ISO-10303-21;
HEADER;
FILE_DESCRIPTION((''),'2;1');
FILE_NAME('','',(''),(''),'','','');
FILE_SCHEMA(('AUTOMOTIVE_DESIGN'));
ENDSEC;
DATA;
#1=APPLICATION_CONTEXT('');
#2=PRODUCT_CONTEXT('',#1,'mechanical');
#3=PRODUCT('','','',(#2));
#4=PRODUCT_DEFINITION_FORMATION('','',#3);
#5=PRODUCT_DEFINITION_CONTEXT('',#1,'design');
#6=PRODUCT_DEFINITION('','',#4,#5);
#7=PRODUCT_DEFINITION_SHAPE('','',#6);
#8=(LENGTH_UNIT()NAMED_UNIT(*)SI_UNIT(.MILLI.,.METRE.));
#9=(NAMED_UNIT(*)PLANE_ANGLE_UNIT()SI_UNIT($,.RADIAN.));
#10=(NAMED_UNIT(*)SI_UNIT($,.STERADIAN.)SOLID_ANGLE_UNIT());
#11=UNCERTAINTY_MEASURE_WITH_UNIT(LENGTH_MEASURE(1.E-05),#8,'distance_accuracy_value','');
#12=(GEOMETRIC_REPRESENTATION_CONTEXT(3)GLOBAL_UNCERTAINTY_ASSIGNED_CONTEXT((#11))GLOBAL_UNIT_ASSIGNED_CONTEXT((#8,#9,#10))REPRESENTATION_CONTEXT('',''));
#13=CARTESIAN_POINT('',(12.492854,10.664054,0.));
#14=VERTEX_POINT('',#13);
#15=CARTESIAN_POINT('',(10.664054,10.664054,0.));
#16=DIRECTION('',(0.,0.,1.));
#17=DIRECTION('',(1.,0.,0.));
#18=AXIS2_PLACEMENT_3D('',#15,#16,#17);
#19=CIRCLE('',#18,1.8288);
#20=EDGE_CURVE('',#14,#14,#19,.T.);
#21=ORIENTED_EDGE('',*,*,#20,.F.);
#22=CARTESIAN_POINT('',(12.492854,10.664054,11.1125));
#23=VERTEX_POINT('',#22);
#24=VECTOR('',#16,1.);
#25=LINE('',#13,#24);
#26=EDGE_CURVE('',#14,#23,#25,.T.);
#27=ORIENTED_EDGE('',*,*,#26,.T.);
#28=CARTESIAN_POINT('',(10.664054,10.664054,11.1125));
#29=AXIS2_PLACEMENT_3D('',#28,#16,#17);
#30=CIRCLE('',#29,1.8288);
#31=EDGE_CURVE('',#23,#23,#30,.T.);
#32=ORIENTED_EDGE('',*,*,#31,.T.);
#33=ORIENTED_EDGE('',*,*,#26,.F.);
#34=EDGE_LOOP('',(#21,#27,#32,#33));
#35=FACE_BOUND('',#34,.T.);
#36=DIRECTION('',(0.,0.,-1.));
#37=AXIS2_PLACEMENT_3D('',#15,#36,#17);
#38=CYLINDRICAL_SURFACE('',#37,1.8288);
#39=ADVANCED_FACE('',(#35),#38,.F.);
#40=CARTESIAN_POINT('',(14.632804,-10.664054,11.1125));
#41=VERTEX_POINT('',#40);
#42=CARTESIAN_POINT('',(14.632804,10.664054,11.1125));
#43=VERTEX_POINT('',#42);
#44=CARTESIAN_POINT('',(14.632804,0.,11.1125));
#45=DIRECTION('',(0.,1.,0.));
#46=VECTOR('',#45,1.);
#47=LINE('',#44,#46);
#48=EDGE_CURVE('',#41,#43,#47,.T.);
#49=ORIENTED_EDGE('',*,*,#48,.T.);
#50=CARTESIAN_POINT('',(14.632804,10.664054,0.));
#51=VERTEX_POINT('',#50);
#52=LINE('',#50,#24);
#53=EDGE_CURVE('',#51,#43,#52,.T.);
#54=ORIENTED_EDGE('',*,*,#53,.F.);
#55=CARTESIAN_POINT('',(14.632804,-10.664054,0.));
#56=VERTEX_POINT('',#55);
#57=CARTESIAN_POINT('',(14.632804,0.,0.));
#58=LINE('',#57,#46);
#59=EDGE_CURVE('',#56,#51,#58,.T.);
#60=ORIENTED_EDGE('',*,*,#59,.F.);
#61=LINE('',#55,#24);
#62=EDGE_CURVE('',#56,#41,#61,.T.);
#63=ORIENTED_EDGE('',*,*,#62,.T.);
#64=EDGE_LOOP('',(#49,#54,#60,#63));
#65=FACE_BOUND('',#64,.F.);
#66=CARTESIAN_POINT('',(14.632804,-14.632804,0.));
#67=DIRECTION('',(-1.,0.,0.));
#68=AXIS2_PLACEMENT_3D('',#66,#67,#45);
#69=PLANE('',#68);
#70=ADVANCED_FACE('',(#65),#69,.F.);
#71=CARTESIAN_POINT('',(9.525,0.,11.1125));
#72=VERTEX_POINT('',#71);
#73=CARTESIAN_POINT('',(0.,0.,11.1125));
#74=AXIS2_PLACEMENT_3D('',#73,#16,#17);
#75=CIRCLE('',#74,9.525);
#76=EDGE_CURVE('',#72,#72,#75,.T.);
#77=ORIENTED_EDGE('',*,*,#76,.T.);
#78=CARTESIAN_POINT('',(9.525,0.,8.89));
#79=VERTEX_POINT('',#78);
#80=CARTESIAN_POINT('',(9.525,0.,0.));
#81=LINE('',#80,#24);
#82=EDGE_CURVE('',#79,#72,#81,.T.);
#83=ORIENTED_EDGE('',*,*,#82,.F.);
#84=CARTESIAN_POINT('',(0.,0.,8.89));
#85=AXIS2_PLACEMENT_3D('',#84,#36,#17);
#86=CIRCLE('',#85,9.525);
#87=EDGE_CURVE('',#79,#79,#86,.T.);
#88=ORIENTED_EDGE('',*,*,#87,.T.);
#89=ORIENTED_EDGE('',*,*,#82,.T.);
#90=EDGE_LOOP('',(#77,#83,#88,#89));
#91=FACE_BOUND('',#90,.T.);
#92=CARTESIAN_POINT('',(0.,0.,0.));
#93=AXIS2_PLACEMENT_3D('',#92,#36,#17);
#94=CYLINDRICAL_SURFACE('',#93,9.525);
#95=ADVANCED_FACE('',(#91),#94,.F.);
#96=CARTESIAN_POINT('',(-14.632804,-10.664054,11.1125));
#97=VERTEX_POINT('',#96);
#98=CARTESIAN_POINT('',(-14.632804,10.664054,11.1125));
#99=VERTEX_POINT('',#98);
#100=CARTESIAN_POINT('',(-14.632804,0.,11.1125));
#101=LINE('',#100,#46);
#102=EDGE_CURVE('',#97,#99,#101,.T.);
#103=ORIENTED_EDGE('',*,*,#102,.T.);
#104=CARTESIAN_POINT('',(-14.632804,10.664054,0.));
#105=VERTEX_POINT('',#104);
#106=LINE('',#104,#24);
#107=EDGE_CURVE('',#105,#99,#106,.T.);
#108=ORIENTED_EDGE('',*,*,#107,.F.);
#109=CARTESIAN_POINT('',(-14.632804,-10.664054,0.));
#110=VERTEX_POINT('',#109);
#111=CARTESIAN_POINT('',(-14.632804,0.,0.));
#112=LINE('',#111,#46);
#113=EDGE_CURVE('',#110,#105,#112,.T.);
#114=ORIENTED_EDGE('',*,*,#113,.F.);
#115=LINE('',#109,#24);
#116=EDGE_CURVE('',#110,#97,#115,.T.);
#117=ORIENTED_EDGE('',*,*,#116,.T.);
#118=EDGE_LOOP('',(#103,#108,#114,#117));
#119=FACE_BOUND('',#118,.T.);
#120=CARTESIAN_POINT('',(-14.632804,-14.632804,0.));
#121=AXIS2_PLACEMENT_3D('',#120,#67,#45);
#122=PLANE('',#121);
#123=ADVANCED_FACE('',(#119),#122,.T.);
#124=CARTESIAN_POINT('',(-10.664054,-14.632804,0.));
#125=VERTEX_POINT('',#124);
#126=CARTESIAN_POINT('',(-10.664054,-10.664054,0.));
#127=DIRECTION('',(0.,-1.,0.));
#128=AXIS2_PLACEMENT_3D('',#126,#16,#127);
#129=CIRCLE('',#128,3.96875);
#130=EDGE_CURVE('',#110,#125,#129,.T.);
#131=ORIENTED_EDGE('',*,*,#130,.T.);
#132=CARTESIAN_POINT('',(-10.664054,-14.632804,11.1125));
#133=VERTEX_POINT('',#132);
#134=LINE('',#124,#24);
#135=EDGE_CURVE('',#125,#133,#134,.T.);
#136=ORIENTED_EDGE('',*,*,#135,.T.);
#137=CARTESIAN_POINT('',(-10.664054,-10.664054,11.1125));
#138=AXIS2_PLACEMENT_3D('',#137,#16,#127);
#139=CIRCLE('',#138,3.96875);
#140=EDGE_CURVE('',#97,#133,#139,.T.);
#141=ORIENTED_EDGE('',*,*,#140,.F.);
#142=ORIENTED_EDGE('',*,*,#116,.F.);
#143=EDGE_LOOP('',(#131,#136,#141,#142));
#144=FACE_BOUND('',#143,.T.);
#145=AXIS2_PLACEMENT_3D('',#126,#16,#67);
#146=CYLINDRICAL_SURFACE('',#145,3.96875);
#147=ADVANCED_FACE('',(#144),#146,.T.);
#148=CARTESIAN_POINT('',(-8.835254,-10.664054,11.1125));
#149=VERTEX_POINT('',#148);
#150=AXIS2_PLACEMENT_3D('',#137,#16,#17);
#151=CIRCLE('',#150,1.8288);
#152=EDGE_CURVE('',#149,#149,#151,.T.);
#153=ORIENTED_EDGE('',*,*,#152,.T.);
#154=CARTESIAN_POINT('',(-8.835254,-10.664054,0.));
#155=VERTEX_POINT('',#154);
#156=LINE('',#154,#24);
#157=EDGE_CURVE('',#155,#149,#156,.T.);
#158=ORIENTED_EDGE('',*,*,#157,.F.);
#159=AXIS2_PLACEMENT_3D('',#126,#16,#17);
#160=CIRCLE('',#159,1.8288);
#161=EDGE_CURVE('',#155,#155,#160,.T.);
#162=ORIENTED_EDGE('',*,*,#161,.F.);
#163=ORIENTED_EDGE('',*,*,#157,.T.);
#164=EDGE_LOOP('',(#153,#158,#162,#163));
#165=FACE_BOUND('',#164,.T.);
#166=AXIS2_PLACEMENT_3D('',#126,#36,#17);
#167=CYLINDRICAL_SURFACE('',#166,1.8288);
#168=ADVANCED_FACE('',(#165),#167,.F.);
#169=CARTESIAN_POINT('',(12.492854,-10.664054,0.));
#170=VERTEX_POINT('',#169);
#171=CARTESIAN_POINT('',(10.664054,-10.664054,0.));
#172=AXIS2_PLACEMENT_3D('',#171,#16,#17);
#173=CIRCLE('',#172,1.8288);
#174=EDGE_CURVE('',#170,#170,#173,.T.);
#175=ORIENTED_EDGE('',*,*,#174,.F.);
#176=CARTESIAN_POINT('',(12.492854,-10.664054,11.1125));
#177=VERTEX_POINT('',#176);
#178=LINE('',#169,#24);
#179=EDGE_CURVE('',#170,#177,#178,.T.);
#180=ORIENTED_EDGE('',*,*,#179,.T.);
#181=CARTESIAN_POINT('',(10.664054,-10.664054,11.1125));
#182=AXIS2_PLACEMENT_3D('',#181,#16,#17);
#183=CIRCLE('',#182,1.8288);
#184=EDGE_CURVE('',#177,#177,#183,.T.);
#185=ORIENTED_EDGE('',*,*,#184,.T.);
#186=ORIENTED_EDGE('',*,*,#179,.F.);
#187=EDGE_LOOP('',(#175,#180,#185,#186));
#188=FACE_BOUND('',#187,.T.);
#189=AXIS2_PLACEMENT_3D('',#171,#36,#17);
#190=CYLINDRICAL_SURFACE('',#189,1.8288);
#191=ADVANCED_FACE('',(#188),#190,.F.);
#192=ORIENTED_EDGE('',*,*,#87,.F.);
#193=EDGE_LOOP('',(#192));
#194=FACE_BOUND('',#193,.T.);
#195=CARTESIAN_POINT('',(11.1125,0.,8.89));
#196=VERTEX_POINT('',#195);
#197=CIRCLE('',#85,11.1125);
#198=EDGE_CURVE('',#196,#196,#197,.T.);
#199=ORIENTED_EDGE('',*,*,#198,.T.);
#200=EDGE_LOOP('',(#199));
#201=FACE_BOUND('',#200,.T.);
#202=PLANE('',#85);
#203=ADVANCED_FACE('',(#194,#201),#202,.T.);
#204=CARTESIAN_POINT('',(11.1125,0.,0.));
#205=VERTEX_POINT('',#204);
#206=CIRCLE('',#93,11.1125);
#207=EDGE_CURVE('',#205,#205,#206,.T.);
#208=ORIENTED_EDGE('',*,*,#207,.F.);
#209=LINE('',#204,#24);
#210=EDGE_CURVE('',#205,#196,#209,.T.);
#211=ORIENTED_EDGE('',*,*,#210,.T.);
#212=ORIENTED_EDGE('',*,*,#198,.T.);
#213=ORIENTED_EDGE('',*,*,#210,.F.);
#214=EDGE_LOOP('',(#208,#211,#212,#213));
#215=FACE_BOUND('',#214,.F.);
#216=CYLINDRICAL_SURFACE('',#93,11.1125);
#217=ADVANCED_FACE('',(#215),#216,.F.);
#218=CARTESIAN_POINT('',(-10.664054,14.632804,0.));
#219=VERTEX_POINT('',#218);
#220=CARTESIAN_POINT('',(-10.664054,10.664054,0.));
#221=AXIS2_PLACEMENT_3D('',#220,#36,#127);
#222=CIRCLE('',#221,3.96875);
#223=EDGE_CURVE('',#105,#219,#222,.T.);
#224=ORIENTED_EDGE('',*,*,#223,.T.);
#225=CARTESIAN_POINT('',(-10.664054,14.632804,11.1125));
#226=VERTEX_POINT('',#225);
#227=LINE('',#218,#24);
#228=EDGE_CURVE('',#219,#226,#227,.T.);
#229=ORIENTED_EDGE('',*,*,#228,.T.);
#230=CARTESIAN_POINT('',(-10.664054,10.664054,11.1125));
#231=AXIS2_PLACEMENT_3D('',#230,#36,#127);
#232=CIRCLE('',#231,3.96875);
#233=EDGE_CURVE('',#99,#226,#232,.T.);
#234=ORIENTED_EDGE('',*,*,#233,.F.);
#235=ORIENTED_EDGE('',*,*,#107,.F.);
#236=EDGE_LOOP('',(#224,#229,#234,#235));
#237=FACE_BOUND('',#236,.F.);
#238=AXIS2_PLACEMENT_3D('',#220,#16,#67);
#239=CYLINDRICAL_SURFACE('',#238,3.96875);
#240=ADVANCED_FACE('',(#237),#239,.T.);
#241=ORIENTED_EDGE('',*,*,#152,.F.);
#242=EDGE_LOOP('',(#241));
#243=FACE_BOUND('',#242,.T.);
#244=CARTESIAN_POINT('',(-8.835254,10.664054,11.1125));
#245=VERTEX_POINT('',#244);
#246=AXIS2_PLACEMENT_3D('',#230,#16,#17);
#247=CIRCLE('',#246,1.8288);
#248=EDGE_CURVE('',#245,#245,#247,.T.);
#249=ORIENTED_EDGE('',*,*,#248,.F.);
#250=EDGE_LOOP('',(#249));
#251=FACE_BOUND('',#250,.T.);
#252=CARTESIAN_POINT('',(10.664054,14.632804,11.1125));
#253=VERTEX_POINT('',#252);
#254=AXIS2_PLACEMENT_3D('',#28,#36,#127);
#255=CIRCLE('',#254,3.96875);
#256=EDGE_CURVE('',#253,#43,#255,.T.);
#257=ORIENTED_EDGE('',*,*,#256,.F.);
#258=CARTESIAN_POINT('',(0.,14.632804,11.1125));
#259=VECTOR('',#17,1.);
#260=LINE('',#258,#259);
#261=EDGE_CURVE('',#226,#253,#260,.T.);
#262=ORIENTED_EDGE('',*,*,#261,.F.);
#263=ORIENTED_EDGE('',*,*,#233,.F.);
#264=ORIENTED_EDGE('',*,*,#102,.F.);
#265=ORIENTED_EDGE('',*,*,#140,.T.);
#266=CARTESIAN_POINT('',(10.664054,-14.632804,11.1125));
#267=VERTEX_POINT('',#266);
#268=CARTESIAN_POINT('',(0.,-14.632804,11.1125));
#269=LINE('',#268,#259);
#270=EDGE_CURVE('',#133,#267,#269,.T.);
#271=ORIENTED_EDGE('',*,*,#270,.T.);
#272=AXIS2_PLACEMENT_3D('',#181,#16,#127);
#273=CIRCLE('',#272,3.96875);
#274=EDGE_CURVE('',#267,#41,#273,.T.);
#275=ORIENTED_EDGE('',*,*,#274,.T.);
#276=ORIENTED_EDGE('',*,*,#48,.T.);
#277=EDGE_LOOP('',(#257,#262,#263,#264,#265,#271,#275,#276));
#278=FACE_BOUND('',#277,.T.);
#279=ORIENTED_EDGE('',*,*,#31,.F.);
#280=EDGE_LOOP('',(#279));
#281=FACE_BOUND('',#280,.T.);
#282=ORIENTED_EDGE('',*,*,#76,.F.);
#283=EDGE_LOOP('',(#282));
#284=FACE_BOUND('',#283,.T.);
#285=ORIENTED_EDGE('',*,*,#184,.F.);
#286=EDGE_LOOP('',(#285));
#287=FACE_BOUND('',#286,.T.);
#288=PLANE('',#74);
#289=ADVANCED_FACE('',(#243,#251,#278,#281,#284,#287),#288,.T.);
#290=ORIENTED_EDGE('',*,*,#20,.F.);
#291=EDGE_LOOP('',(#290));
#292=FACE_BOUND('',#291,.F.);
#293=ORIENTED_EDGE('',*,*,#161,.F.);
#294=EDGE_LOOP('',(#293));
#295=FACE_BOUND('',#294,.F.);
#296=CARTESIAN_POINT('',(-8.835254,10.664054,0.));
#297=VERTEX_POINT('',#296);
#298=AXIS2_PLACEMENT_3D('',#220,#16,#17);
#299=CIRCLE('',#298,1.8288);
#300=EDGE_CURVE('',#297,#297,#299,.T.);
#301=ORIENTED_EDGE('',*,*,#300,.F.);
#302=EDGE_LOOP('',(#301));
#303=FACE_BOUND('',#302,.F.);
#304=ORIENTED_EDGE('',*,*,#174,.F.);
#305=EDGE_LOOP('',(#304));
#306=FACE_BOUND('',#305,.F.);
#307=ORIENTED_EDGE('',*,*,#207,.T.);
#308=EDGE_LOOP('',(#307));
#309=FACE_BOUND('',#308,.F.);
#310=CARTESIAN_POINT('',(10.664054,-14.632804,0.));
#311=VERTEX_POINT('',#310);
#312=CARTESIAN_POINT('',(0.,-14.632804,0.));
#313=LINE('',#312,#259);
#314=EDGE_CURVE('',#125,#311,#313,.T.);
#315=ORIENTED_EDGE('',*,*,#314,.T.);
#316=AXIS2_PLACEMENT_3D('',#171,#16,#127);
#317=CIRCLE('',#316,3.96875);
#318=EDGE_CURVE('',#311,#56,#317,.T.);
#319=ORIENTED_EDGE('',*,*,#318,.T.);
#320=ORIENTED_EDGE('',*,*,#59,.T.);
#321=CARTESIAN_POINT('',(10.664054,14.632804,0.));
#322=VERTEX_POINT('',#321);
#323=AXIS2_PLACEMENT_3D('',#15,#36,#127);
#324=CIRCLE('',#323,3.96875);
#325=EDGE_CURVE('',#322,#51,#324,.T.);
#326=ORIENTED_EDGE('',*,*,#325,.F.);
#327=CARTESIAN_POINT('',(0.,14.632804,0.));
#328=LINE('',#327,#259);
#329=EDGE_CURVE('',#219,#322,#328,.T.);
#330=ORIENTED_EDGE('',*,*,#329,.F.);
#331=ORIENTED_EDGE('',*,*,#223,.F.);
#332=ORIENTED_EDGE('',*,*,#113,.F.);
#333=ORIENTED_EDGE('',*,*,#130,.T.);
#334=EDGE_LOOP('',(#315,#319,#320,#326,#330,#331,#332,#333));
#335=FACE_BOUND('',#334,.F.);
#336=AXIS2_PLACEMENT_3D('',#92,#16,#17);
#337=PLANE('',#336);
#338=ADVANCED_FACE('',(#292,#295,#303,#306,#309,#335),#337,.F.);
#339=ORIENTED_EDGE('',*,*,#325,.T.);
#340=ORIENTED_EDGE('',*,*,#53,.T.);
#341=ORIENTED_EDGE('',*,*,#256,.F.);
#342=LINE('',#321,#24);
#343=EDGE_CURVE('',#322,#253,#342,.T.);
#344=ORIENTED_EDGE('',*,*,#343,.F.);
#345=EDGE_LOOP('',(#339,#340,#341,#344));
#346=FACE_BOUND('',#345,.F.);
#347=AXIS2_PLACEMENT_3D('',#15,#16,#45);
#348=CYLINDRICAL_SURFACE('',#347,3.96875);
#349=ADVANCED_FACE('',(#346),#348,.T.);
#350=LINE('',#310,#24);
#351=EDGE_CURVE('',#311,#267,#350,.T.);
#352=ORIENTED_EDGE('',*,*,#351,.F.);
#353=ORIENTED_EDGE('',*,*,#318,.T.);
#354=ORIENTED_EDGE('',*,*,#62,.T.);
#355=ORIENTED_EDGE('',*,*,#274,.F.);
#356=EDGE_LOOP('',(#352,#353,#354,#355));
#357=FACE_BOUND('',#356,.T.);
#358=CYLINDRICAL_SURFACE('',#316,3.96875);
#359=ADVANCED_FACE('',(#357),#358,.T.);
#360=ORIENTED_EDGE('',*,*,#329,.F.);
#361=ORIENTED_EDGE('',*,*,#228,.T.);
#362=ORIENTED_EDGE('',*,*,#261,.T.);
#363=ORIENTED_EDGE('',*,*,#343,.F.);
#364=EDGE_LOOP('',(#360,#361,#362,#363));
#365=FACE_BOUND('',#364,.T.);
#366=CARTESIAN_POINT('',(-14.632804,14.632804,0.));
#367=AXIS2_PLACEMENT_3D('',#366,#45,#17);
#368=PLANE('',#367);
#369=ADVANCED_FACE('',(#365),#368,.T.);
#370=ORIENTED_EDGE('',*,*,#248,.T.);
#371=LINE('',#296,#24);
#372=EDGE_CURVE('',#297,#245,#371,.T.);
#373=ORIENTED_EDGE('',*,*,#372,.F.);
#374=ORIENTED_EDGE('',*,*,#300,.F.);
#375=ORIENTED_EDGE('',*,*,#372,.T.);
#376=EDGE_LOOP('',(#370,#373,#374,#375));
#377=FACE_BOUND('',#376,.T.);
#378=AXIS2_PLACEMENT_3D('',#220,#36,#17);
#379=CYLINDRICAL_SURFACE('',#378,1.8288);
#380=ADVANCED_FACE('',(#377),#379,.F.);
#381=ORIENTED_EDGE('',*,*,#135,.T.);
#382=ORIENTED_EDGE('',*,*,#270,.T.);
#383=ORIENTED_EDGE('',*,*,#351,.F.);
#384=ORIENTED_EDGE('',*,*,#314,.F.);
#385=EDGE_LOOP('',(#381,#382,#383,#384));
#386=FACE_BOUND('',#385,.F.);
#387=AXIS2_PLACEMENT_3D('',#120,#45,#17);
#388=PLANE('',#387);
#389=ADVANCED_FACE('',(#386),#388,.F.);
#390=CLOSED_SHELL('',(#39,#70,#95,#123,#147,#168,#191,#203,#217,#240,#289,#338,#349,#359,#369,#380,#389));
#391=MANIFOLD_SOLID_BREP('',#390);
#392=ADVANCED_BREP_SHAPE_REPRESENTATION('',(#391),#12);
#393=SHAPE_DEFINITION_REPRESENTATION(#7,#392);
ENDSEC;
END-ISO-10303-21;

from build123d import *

# Parameters (mm, degrees)
F0_W     = 29.265608
F0_H     = 29.265608
F0_R     = 1.8288
F0_R_2   = 9.525
F1_DEPTH = 11.1125
F2_R     = 3.96875
F3_R     = 11.1125
F4_DEPTH = 8.89


with BuildPart() as f1:
    # F0 (on Top) → F1 (new body)
    with BuildSketch(Plane.XY):
        Rectangle(F0_W, F0_H)
        with Locations((-10.664054, -10.664054)):
            Circle(F0_R, mode=Mode.SUBTRACT)
        with Locations((10.664054, -10.664054)):
            Circle(F0_R, mode=Mode.SUBTRACT)
        with Locations((-10.664054, 10.664054)):
            Circle(F0_R, mode=Mode.SUBTRACT)
        Circle(F0_R_2, mode=Mode.SUBTRACT)
        with Locations((10.664054, 10.664054)):
            Circle(F0_R, mode=Mode.SUBTRACT)
    extrude(amount=F1_DEPTH)

    # F2
    f2_edges = [f1.edges().sort_by_distance(p)[0] for p in [
        (-14.632804, 14.632804, 5.55625),
        (-14.632804, -14.632804, 5.55625),
        (14.632804, -14.632804, 5.55625),
        (14.632804, 14.632804, 5.55625),
    ]]
    fillet(f2_edges, radius=F2_R)

    # F3 (on face) → F4 (cut)
    with BuildSketch(Plane(origin=(0, 0, 0), x_dir=(1, 0, 0), z_dir=(0, 0, -1))):
        Circle(F3_R)
    extrude(amount=-F4_DEPTH, mode=Mode.SUBTRACT)


solid = f1.part
